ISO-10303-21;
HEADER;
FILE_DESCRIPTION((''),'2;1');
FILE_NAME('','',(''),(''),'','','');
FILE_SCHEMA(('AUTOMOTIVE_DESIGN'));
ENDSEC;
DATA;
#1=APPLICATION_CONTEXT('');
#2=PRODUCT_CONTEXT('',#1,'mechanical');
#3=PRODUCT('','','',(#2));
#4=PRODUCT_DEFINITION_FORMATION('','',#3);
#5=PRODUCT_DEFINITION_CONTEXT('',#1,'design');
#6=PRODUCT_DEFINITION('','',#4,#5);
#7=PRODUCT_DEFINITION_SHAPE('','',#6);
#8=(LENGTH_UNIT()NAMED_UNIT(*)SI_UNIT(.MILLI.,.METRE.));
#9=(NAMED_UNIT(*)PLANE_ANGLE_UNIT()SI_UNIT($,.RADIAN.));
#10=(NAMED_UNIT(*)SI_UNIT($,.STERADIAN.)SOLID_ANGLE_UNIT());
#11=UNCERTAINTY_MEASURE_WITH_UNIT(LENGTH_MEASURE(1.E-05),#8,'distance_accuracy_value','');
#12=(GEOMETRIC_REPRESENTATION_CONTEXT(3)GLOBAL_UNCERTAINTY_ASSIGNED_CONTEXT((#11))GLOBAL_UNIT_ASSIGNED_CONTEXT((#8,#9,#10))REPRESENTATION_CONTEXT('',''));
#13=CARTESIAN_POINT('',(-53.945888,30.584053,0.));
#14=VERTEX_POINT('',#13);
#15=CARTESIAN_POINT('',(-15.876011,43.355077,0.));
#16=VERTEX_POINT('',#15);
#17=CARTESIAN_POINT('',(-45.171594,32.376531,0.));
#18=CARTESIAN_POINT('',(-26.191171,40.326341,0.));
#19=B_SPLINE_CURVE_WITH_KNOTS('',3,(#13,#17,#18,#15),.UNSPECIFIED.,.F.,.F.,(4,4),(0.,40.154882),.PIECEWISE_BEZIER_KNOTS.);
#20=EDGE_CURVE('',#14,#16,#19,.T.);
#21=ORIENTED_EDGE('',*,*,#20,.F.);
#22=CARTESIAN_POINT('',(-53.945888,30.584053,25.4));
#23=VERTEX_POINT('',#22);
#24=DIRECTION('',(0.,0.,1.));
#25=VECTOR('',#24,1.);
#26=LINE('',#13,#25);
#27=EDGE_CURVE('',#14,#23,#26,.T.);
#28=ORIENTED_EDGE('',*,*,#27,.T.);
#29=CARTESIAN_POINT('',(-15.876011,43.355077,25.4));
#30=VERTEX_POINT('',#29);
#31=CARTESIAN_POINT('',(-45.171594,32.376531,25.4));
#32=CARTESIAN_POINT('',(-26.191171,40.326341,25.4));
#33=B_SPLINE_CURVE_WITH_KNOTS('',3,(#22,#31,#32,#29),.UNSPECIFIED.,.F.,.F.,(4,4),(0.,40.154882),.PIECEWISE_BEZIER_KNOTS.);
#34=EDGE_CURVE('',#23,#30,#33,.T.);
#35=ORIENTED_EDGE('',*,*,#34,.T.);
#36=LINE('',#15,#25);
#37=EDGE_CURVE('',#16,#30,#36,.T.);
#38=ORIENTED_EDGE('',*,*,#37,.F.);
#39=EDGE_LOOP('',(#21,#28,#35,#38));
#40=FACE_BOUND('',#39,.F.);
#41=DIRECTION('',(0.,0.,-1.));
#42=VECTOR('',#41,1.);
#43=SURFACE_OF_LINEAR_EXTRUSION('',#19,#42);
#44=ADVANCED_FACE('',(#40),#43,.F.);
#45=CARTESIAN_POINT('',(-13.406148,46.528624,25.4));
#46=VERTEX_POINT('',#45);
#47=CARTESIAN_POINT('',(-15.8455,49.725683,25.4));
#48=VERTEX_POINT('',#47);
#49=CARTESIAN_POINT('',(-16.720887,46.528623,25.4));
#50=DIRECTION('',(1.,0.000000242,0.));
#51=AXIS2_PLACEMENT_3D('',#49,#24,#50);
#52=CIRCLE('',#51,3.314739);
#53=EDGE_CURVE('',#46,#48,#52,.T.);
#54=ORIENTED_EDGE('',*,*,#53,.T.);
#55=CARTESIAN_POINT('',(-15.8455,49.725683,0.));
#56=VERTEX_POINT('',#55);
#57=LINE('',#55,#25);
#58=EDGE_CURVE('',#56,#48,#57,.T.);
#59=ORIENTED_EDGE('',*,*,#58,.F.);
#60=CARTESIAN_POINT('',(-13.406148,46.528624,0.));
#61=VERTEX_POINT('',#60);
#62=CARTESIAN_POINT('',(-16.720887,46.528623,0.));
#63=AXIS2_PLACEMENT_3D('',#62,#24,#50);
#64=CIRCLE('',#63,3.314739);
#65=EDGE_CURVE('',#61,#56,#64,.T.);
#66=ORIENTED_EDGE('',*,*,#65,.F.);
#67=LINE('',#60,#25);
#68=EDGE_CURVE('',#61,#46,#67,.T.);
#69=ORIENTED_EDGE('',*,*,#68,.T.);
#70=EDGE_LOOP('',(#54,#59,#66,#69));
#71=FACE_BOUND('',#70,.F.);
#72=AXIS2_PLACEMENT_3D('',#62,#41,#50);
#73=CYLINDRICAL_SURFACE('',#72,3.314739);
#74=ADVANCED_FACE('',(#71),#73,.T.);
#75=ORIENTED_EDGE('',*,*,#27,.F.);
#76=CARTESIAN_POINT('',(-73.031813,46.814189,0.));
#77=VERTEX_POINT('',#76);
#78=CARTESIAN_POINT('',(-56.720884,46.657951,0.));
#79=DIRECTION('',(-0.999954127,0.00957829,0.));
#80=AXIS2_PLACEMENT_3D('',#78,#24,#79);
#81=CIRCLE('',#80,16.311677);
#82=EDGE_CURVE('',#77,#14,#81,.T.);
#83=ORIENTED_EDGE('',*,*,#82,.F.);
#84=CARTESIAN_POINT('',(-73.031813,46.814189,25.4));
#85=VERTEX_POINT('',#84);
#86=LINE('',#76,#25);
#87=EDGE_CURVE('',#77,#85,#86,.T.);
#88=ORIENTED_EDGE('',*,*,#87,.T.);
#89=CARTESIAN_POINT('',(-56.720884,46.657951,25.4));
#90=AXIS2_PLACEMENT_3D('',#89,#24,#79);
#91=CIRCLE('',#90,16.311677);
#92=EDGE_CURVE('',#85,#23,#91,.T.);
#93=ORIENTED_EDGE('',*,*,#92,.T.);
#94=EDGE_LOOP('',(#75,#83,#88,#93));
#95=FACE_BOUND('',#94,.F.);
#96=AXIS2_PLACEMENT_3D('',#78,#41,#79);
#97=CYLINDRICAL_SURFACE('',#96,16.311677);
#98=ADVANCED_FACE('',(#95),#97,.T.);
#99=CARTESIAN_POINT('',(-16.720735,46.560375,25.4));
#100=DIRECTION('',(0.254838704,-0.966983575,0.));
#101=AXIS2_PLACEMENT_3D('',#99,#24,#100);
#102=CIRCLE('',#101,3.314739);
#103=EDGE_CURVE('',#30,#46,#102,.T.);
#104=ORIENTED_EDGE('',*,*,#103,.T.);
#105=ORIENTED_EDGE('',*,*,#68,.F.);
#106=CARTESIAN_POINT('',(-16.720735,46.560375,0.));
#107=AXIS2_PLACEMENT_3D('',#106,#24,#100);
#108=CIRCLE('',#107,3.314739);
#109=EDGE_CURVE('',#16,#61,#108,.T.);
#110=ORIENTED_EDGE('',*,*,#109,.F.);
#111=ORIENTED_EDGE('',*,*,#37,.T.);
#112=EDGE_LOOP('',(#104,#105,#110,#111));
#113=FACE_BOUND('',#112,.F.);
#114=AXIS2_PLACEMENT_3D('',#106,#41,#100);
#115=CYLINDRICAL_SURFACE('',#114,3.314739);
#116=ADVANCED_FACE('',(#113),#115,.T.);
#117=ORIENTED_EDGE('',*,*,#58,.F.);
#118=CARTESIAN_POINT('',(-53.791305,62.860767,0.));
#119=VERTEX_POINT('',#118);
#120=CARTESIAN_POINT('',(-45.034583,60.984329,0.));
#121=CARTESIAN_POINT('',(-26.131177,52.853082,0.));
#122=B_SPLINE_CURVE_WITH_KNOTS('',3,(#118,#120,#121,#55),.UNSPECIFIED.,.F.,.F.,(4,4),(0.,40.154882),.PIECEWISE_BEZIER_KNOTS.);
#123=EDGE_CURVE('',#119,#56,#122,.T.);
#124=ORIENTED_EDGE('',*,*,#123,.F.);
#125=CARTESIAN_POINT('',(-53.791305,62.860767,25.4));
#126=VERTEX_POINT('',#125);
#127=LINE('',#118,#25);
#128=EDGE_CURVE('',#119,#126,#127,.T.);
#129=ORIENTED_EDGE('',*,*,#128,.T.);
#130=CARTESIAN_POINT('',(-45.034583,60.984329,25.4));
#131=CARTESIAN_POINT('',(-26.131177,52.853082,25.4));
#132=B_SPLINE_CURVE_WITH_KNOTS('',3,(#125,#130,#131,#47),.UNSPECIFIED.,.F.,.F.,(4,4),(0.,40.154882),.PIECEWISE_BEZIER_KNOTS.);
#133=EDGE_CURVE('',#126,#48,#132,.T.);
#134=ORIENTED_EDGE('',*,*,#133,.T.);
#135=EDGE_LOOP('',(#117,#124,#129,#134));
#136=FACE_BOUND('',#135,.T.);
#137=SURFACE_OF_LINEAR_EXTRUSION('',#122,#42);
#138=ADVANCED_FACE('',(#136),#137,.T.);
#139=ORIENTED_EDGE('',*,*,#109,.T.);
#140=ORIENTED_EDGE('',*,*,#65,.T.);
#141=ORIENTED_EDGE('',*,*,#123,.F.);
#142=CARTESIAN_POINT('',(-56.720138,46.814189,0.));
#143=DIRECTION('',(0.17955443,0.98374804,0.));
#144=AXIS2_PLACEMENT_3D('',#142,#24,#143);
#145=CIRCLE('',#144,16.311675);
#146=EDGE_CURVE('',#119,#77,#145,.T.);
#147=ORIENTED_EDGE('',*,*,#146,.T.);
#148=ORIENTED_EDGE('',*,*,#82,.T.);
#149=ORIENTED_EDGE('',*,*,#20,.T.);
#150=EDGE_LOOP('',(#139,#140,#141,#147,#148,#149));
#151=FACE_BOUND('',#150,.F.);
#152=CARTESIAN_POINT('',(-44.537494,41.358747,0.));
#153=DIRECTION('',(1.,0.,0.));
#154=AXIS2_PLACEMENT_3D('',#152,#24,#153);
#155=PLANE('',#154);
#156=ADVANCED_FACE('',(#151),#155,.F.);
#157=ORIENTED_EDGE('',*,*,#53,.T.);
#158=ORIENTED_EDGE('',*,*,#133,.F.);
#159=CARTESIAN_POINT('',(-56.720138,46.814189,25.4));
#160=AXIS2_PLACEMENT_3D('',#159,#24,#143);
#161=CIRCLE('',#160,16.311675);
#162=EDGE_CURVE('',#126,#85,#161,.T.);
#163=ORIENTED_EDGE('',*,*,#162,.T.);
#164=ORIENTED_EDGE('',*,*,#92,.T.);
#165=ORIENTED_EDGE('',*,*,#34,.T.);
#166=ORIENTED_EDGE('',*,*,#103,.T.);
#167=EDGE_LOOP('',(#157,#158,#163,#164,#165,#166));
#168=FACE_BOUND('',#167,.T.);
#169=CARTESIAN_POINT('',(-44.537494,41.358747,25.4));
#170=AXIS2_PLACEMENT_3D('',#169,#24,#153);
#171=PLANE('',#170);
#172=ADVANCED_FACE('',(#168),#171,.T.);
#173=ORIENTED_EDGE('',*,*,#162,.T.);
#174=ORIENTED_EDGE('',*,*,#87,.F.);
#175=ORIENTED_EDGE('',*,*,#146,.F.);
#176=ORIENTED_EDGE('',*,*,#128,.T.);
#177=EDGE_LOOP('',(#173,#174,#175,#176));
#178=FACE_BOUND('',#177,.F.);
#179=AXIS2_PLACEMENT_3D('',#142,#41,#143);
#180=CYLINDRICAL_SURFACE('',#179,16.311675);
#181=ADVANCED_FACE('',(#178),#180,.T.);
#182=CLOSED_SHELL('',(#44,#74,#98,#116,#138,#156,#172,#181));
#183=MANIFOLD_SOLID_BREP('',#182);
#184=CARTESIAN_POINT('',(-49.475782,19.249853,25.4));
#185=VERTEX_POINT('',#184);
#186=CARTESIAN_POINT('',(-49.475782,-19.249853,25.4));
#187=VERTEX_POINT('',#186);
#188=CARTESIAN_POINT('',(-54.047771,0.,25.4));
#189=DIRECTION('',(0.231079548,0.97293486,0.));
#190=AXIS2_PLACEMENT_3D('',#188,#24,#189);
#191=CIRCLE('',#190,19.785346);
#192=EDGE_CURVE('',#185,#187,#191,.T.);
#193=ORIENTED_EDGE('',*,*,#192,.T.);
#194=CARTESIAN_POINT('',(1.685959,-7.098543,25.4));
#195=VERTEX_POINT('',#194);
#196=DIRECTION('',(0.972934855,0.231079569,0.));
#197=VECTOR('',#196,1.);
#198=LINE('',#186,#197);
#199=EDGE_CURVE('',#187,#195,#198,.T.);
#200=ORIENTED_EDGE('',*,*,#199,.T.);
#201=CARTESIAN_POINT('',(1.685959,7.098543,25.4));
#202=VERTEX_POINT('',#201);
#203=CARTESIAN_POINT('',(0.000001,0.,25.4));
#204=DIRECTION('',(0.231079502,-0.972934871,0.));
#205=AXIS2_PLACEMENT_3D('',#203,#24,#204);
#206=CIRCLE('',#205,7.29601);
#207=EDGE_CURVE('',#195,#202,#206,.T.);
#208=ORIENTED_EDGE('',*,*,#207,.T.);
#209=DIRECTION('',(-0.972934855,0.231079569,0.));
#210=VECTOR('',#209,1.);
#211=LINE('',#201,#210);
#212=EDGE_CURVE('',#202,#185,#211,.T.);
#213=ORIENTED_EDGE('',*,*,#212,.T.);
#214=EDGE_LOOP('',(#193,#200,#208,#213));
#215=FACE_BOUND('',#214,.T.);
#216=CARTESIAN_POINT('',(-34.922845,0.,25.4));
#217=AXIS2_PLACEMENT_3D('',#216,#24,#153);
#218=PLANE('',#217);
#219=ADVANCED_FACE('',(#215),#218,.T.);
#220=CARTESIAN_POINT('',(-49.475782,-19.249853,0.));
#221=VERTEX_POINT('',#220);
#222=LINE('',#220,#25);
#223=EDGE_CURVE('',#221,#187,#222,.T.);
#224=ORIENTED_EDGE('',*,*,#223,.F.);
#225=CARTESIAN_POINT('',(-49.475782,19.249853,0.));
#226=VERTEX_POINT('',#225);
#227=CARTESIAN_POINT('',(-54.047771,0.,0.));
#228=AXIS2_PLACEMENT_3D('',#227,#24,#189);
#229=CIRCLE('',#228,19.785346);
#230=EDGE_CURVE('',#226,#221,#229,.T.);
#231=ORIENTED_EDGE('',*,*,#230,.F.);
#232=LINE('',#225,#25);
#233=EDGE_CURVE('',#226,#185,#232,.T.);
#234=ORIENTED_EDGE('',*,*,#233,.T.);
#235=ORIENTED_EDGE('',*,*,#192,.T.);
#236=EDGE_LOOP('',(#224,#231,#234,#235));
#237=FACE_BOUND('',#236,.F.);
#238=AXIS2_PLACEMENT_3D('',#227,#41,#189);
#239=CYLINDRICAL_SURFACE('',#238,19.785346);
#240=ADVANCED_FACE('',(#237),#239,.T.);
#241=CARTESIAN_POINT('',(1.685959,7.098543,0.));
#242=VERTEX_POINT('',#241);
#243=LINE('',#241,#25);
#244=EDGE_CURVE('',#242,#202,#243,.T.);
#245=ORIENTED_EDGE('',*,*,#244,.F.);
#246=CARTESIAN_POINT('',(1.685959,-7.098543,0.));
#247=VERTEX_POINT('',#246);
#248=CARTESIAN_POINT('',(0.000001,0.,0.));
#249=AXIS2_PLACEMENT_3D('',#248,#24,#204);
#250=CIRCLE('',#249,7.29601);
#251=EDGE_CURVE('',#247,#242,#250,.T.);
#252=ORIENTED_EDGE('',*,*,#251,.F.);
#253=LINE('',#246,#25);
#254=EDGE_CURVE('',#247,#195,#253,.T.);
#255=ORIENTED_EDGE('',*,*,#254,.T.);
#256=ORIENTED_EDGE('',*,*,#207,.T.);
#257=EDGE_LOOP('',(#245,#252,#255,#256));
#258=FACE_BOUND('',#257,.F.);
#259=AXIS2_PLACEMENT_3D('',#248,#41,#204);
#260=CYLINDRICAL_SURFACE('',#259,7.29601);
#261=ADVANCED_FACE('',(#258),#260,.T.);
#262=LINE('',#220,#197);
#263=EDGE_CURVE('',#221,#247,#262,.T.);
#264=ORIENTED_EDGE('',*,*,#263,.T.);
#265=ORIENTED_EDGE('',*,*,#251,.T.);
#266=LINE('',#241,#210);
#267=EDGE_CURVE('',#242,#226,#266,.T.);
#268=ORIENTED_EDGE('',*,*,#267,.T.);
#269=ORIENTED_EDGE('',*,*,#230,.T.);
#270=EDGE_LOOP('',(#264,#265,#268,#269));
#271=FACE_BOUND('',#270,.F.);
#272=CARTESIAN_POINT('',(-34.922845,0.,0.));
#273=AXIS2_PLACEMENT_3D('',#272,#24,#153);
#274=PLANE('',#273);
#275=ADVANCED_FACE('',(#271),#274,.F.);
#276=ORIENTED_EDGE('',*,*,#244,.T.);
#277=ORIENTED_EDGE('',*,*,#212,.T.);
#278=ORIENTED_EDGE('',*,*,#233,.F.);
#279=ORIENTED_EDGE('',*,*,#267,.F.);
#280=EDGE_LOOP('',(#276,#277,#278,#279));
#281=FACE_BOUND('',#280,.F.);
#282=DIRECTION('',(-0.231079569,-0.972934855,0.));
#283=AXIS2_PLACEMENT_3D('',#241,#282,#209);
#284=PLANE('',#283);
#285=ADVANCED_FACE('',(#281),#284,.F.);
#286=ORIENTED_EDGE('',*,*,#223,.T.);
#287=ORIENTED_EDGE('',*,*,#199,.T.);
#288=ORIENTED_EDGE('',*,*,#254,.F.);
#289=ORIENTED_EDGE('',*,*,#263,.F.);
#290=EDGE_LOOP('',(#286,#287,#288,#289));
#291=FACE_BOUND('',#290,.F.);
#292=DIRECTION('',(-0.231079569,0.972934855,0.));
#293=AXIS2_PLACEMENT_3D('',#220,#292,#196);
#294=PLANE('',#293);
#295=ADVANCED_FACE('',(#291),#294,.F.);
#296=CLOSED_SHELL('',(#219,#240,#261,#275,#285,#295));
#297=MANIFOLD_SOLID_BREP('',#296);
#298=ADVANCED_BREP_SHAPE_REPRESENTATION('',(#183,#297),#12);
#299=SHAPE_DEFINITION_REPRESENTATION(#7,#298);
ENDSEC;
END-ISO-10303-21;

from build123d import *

# Parameters (mm, degrees)
F2_DEPTH = 25.4
F3_DEPTH = 25.4


with BuildPart() as f2:
    # F1 (on Top) → F2 (new body)
    with BuildSketch(Plane.XY):
        with BuildLine():
            Line((-13.406148, 46.528624), (-73.031813, 46.814189))
            ThreePointArc((-73.031813, 46.814189), (-67.287799, 34.231724), (-53.945888, 30.584053))
            add(Edge.make_bspline(
                [(-53.945888, 30.584053), (-45.171594, 32.376531), (-26.191171, 40.326341), (-15.876011, 43.355077)],
                knots=[0, 0, 0, 0, 40.154882, 40.154882, 40.154882, 40.154882], degree=3))
            ThreePointArc((-15.876011, 43.355077), (-14.104857, 44.524527), (-13.406148, 46.528624))
        make_face()
        with BuildLine():
            add(Edge.make_bspline(
                [(-53.791305, 62.860767), (-45.034583, 60.984329), (-26.131177, 52.853082), (-15.8455, 49.725683)],
                knots=[0, 0, 0, 0, 40.154882, 40.154882, 40.154882, 40.154882], degree=3))
            ThreePointArc((-53.791305, 62.860767), (-67.167544, 59.341058), (-73.031813, 46.814189))
            Line((-73.031813, 46.814189), (-13.406148, 46.528624))
            ThreePointArc((-13.406148, 46.528624), (-14.085629, 48.539322), (-15.8455, 49.725683))
        make_face()
    extrude(amount=F2_DEPTH)


with BuildPart() as f3:
    # F0 (on Top) → F3 (new body)
    with BuildSketch(Plane.XY):
        with BuildLine():
            Line((-49.475782, -19.249853), (1.685959, -7.098543))
            ThreePointArc((1.685959, -7.098543), (7.296011, 0), (1.685959, 7.098543))
            Line((1.685959, 7.098543), (-49.475782, 19.249853))
            ThreePointArc((-49.475782, 19.249853), (-73.833117, 0), (-49.475782, -19.249853))
        make_face()
    extrude(amount=F3_DEPTH)


solid = Compound([f2.part, f3.part])
